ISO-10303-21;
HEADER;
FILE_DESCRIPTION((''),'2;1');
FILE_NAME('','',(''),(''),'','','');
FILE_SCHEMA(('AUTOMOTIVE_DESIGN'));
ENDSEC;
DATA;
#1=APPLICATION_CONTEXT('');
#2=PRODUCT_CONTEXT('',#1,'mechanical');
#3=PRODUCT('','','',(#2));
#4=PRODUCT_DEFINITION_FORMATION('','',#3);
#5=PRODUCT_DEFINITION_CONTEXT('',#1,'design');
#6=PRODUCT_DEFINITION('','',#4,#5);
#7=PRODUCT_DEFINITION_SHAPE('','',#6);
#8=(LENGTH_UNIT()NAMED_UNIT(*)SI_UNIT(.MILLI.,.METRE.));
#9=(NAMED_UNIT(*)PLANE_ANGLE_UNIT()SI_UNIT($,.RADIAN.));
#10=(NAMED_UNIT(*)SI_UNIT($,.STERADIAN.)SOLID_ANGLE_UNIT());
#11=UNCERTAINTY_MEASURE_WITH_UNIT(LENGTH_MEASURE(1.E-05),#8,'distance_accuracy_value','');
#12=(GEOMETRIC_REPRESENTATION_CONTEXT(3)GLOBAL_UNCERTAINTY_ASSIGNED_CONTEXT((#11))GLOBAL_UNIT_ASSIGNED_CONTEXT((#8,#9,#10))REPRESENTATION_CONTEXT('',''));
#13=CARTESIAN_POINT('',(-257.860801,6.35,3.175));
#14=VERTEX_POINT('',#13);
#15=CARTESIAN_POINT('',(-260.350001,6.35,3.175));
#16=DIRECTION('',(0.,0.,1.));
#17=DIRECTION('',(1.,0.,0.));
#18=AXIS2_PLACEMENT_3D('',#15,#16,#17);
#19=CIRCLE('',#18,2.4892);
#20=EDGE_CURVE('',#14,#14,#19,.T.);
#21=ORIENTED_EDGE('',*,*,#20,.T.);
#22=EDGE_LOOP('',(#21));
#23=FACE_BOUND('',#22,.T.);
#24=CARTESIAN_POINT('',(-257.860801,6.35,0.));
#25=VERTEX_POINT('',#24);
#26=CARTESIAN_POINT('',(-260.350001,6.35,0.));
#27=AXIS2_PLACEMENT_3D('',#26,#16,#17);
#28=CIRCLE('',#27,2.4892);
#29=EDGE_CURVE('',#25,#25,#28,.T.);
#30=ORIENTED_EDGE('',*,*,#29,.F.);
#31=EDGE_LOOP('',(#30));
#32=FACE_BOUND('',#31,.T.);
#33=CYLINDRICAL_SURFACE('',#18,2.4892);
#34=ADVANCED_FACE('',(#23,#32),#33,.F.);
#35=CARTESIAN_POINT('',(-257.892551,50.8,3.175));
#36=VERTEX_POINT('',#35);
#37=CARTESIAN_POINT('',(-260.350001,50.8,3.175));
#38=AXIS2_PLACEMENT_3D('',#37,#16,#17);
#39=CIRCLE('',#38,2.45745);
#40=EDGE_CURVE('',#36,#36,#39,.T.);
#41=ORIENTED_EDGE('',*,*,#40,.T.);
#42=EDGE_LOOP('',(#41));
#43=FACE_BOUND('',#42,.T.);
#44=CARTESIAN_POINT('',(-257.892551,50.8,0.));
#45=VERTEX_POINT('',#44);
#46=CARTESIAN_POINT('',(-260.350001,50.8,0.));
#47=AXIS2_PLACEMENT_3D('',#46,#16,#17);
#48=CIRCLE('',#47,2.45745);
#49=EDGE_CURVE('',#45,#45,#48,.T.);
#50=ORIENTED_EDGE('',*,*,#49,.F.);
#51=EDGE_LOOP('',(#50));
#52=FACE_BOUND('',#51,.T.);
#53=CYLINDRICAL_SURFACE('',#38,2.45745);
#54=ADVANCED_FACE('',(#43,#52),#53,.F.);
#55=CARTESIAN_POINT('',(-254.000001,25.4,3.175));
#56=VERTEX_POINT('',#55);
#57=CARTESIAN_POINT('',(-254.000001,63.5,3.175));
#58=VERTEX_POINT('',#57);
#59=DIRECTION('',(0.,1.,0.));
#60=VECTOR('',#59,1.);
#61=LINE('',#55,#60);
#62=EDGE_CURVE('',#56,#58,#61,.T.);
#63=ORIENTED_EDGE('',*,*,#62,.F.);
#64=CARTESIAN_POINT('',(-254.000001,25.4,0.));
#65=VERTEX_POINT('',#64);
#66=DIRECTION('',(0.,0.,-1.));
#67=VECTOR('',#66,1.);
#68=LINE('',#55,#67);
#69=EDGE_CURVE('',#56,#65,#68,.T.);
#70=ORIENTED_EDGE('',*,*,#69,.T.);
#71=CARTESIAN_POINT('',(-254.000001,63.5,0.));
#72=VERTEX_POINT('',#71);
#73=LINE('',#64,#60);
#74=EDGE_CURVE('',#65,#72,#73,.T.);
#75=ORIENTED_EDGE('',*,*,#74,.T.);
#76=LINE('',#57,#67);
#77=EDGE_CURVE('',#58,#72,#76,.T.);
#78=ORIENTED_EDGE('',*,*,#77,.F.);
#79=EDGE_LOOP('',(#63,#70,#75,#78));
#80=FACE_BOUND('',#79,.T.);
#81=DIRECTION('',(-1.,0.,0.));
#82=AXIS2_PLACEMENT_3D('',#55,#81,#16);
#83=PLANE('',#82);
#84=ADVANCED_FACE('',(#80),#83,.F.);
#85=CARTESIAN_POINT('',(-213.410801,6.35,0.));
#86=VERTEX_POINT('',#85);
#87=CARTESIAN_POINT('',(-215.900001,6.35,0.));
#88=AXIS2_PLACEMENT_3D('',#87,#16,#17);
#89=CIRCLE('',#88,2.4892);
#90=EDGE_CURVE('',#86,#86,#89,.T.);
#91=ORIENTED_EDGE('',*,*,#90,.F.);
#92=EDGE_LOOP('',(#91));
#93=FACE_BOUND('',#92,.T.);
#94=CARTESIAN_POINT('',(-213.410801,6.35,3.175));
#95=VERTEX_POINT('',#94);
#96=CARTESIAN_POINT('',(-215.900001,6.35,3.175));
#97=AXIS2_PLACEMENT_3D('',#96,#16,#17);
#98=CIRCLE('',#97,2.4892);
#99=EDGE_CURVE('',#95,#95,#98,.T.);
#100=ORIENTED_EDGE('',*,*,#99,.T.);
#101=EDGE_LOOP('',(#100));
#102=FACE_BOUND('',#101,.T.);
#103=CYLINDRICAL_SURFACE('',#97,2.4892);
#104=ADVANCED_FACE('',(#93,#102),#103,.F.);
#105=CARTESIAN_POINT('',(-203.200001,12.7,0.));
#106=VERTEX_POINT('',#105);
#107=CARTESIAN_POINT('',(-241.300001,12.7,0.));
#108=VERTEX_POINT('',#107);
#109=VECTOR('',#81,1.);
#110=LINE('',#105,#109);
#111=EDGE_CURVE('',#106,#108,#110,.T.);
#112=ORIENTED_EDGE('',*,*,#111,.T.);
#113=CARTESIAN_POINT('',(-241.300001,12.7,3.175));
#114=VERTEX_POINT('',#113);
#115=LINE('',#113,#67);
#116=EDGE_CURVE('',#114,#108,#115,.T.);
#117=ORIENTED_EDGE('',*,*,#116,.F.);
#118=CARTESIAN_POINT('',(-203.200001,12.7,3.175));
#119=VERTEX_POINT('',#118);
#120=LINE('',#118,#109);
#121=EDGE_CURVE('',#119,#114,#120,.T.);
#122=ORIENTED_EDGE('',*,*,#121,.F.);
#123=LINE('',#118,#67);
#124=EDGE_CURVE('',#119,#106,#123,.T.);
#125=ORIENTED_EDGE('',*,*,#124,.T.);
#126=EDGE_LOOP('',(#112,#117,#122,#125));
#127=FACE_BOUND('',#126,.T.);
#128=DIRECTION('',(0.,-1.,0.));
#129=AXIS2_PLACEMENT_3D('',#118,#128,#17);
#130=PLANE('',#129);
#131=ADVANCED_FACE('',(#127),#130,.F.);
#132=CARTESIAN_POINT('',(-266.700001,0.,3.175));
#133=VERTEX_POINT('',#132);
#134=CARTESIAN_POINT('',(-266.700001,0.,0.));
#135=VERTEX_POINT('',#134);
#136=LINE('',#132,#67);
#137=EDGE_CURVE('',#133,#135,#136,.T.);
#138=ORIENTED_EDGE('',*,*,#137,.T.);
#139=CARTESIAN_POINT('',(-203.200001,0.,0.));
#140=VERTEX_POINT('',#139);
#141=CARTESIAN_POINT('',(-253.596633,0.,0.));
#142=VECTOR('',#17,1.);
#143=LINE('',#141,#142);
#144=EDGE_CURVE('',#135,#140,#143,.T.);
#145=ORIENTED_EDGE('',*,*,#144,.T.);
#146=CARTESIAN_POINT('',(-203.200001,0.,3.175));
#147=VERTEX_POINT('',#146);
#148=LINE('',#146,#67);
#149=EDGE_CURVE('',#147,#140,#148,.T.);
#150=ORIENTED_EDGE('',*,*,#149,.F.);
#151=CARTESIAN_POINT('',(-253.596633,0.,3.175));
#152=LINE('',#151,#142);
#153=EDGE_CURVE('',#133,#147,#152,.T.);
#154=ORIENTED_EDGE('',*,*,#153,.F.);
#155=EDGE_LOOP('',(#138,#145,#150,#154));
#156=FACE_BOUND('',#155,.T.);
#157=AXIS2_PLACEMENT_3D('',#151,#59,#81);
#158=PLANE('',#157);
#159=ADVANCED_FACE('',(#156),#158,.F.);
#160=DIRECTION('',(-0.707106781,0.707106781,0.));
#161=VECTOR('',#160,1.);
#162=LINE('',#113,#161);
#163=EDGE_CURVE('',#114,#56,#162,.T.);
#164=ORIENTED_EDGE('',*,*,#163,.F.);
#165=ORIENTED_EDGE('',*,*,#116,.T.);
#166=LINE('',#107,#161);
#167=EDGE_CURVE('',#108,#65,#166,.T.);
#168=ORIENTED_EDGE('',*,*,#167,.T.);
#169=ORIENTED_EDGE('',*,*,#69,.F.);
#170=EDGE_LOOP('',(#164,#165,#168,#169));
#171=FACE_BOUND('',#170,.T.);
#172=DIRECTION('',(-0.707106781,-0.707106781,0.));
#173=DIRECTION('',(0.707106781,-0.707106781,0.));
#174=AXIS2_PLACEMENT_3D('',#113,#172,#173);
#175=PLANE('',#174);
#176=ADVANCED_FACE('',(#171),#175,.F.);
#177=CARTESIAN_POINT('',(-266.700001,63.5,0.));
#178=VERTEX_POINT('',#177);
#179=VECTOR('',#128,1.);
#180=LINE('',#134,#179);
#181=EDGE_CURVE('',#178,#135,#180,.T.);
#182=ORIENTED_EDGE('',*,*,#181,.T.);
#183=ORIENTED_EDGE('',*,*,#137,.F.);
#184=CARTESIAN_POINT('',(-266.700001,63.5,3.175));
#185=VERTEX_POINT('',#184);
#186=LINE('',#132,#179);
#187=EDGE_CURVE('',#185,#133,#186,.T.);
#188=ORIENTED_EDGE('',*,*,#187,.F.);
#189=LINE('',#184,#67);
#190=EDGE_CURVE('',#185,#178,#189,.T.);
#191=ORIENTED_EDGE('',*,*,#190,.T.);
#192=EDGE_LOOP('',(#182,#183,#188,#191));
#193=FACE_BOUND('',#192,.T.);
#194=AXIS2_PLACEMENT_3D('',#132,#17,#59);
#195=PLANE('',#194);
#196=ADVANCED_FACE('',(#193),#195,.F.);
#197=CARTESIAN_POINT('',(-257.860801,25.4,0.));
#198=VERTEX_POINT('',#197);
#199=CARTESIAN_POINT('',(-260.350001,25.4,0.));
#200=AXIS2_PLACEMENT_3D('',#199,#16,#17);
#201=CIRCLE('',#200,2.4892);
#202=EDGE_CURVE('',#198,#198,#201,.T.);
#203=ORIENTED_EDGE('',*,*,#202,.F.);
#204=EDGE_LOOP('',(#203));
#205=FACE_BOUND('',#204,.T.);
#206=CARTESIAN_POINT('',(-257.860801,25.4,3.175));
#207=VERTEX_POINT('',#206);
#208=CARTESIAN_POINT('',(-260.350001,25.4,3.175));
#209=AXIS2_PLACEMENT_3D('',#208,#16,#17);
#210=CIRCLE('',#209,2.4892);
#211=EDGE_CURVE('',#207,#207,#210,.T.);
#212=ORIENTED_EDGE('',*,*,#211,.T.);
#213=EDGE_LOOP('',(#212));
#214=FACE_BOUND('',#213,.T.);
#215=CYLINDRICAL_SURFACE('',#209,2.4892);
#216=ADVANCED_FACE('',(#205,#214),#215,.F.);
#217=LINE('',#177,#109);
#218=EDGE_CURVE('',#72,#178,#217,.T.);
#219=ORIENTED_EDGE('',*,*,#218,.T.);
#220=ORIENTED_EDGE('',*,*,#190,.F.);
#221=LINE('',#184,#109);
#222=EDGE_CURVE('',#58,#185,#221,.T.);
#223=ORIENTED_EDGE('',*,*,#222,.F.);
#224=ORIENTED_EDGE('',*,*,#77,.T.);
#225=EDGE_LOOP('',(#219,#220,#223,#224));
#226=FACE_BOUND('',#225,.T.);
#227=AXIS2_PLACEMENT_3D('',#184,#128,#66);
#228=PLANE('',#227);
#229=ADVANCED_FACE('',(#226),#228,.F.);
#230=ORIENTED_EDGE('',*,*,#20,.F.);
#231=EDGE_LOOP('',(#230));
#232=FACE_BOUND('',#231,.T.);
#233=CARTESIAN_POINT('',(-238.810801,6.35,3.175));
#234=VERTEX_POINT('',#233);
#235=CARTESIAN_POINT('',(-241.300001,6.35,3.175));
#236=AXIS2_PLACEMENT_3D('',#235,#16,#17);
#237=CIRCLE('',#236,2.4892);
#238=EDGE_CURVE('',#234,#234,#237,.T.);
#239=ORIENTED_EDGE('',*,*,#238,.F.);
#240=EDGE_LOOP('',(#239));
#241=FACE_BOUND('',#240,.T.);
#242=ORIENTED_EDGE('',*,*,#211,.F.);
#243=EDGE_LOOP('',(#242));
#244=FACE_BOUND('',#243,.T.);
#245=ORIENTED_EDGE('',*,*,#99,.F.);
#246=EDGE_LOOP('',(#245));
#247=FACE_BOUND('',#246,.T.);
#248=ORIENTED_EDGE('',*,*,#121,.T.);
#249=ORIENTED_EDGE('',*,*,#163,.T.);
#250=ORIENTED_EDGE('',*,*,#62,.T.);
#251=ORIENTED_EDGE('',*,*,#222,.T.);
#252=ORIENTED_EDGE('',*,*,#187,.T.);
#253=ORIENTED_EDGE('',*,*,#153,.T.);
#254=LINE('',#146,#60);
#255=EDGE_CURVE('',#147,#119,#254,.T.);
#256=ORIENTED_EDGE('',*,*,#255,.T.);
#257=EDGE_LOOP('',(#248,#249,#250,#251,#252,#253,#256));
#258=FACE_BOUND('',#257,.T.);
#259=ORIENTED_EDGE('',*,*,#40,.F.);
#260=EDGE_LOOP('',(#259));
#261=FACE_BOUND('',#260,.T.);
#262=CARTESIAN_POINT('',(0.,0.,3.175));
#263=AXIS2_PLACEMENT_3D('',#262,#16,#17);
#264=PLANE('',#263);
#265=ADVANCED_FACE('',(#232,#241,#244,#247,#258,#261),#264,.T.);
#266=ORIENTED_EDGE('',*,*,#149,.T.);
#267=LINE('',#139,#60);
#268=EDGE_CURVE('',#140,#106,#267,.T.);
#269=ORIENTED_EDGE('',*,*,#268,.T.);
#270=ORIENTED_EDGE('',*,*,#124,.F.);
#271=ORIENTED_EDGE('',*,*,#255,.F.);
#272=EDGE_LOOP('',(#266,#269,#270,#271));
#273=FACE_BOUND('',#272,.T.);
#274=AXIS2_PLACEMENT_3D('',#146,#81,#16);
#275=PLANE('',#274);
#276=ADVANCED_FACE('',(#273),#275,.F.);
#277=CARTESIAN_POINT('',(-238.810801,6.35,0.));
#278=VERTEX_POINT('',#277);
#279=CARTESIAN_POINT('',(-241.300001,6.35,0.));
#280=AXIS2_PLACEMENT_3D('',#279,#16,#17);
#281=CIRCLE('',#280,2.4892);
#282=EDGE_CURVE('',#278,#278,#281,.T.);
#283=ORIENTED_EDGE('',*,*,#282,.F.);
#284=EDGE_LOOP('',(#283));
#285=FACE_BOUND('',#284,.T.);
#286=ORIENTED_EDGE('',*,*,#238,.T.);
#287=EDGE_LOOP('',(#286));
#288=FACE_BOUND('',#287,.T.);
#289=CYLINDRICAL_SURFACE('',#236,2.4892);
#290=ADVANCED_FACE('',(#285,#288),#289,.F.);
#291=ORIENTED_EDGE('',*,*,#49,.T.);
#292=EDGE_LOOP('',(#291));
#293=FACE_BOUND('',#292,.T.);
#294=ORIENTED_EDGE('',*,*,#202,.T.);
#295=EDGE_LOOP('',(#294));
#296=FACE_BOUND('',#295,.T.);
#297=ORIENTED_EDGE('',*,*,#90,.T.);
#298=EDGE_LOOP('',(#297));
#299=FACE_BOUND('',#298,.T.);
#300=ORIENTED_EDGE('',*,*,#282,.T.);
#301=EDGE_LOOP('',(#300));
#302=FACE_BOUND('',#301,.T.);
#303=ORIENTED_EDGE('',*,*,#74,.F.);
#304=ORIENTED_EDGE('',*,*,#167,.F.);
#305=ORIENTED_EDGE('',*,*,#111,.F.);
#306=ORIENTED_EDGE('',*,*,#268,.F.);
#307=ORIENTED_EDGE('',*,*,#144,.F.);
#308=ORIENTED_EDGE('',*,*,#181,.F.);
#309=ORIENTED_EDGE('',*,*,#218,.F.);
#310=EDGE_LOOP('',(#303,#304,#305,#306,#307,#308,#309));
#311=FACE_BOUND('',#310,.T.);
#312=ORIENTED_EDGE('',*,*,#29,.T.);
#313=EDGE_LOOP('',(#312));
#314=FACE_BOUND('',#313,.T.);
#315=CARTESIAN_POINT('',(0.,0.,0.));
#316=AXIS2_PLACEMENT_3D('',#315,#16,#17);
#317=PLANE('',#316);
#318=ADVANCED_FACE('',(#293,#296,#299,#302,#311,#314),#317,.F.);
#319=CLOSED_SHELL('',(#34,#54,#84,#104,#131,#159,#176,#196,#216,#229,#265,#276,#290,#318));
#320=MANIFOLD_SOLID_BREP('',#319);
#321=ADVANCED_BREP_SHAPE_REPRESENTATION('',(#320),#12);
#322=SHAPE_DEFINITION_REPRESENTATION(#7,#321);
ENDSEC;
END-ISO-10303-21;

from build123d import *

# Parameters (mm, degrees)
BOSS_EXTRUDE1_DEPTH          = 3.175
F_10_CLEARANCE_HOLE1_D       = 4.9784
F_10_0_1935_DIAMETER_HOLE1_D = 4.9149


with BuildPart() as part:
    # Sketch1 → Boss-Extrude1 (new body)
    with BuildSketch(Plane.XY):
        Polygon((-253.5966335, 0), (-266.700000508, 0), (-266.700000508, 63.5), (-254.000000508, 63.5), (-254.000000508, 25.4), (-241.300000508, 12.7), (-203.200000508, 12.7), (-203.200000508, 0), align=None)
    extrude(amount=BOSS_EXTRUDE1_DEPTH)

    # #10 Clearance Hole1 (through all)
    with Locations(Plane.XY.offset(3.175)):
        with Locations((-260.350000508, 6.35), (-260.350000508, 25.4), (-241.300000508, 6.35), (-215.900000508, 6.35)):
            Hole(F_10_CLEARANCE_HOLE1_D / 2)

    # #10 (0.1935) Diameter Hole1 (through all)
    with Locations(Plane.XY.offset(3.175)):
        with Locations((-260.350000508, 50.8)):
            Hole(F_10_0_1935_DIAMETER_HOLE1_D / 2)


solid = part.part
